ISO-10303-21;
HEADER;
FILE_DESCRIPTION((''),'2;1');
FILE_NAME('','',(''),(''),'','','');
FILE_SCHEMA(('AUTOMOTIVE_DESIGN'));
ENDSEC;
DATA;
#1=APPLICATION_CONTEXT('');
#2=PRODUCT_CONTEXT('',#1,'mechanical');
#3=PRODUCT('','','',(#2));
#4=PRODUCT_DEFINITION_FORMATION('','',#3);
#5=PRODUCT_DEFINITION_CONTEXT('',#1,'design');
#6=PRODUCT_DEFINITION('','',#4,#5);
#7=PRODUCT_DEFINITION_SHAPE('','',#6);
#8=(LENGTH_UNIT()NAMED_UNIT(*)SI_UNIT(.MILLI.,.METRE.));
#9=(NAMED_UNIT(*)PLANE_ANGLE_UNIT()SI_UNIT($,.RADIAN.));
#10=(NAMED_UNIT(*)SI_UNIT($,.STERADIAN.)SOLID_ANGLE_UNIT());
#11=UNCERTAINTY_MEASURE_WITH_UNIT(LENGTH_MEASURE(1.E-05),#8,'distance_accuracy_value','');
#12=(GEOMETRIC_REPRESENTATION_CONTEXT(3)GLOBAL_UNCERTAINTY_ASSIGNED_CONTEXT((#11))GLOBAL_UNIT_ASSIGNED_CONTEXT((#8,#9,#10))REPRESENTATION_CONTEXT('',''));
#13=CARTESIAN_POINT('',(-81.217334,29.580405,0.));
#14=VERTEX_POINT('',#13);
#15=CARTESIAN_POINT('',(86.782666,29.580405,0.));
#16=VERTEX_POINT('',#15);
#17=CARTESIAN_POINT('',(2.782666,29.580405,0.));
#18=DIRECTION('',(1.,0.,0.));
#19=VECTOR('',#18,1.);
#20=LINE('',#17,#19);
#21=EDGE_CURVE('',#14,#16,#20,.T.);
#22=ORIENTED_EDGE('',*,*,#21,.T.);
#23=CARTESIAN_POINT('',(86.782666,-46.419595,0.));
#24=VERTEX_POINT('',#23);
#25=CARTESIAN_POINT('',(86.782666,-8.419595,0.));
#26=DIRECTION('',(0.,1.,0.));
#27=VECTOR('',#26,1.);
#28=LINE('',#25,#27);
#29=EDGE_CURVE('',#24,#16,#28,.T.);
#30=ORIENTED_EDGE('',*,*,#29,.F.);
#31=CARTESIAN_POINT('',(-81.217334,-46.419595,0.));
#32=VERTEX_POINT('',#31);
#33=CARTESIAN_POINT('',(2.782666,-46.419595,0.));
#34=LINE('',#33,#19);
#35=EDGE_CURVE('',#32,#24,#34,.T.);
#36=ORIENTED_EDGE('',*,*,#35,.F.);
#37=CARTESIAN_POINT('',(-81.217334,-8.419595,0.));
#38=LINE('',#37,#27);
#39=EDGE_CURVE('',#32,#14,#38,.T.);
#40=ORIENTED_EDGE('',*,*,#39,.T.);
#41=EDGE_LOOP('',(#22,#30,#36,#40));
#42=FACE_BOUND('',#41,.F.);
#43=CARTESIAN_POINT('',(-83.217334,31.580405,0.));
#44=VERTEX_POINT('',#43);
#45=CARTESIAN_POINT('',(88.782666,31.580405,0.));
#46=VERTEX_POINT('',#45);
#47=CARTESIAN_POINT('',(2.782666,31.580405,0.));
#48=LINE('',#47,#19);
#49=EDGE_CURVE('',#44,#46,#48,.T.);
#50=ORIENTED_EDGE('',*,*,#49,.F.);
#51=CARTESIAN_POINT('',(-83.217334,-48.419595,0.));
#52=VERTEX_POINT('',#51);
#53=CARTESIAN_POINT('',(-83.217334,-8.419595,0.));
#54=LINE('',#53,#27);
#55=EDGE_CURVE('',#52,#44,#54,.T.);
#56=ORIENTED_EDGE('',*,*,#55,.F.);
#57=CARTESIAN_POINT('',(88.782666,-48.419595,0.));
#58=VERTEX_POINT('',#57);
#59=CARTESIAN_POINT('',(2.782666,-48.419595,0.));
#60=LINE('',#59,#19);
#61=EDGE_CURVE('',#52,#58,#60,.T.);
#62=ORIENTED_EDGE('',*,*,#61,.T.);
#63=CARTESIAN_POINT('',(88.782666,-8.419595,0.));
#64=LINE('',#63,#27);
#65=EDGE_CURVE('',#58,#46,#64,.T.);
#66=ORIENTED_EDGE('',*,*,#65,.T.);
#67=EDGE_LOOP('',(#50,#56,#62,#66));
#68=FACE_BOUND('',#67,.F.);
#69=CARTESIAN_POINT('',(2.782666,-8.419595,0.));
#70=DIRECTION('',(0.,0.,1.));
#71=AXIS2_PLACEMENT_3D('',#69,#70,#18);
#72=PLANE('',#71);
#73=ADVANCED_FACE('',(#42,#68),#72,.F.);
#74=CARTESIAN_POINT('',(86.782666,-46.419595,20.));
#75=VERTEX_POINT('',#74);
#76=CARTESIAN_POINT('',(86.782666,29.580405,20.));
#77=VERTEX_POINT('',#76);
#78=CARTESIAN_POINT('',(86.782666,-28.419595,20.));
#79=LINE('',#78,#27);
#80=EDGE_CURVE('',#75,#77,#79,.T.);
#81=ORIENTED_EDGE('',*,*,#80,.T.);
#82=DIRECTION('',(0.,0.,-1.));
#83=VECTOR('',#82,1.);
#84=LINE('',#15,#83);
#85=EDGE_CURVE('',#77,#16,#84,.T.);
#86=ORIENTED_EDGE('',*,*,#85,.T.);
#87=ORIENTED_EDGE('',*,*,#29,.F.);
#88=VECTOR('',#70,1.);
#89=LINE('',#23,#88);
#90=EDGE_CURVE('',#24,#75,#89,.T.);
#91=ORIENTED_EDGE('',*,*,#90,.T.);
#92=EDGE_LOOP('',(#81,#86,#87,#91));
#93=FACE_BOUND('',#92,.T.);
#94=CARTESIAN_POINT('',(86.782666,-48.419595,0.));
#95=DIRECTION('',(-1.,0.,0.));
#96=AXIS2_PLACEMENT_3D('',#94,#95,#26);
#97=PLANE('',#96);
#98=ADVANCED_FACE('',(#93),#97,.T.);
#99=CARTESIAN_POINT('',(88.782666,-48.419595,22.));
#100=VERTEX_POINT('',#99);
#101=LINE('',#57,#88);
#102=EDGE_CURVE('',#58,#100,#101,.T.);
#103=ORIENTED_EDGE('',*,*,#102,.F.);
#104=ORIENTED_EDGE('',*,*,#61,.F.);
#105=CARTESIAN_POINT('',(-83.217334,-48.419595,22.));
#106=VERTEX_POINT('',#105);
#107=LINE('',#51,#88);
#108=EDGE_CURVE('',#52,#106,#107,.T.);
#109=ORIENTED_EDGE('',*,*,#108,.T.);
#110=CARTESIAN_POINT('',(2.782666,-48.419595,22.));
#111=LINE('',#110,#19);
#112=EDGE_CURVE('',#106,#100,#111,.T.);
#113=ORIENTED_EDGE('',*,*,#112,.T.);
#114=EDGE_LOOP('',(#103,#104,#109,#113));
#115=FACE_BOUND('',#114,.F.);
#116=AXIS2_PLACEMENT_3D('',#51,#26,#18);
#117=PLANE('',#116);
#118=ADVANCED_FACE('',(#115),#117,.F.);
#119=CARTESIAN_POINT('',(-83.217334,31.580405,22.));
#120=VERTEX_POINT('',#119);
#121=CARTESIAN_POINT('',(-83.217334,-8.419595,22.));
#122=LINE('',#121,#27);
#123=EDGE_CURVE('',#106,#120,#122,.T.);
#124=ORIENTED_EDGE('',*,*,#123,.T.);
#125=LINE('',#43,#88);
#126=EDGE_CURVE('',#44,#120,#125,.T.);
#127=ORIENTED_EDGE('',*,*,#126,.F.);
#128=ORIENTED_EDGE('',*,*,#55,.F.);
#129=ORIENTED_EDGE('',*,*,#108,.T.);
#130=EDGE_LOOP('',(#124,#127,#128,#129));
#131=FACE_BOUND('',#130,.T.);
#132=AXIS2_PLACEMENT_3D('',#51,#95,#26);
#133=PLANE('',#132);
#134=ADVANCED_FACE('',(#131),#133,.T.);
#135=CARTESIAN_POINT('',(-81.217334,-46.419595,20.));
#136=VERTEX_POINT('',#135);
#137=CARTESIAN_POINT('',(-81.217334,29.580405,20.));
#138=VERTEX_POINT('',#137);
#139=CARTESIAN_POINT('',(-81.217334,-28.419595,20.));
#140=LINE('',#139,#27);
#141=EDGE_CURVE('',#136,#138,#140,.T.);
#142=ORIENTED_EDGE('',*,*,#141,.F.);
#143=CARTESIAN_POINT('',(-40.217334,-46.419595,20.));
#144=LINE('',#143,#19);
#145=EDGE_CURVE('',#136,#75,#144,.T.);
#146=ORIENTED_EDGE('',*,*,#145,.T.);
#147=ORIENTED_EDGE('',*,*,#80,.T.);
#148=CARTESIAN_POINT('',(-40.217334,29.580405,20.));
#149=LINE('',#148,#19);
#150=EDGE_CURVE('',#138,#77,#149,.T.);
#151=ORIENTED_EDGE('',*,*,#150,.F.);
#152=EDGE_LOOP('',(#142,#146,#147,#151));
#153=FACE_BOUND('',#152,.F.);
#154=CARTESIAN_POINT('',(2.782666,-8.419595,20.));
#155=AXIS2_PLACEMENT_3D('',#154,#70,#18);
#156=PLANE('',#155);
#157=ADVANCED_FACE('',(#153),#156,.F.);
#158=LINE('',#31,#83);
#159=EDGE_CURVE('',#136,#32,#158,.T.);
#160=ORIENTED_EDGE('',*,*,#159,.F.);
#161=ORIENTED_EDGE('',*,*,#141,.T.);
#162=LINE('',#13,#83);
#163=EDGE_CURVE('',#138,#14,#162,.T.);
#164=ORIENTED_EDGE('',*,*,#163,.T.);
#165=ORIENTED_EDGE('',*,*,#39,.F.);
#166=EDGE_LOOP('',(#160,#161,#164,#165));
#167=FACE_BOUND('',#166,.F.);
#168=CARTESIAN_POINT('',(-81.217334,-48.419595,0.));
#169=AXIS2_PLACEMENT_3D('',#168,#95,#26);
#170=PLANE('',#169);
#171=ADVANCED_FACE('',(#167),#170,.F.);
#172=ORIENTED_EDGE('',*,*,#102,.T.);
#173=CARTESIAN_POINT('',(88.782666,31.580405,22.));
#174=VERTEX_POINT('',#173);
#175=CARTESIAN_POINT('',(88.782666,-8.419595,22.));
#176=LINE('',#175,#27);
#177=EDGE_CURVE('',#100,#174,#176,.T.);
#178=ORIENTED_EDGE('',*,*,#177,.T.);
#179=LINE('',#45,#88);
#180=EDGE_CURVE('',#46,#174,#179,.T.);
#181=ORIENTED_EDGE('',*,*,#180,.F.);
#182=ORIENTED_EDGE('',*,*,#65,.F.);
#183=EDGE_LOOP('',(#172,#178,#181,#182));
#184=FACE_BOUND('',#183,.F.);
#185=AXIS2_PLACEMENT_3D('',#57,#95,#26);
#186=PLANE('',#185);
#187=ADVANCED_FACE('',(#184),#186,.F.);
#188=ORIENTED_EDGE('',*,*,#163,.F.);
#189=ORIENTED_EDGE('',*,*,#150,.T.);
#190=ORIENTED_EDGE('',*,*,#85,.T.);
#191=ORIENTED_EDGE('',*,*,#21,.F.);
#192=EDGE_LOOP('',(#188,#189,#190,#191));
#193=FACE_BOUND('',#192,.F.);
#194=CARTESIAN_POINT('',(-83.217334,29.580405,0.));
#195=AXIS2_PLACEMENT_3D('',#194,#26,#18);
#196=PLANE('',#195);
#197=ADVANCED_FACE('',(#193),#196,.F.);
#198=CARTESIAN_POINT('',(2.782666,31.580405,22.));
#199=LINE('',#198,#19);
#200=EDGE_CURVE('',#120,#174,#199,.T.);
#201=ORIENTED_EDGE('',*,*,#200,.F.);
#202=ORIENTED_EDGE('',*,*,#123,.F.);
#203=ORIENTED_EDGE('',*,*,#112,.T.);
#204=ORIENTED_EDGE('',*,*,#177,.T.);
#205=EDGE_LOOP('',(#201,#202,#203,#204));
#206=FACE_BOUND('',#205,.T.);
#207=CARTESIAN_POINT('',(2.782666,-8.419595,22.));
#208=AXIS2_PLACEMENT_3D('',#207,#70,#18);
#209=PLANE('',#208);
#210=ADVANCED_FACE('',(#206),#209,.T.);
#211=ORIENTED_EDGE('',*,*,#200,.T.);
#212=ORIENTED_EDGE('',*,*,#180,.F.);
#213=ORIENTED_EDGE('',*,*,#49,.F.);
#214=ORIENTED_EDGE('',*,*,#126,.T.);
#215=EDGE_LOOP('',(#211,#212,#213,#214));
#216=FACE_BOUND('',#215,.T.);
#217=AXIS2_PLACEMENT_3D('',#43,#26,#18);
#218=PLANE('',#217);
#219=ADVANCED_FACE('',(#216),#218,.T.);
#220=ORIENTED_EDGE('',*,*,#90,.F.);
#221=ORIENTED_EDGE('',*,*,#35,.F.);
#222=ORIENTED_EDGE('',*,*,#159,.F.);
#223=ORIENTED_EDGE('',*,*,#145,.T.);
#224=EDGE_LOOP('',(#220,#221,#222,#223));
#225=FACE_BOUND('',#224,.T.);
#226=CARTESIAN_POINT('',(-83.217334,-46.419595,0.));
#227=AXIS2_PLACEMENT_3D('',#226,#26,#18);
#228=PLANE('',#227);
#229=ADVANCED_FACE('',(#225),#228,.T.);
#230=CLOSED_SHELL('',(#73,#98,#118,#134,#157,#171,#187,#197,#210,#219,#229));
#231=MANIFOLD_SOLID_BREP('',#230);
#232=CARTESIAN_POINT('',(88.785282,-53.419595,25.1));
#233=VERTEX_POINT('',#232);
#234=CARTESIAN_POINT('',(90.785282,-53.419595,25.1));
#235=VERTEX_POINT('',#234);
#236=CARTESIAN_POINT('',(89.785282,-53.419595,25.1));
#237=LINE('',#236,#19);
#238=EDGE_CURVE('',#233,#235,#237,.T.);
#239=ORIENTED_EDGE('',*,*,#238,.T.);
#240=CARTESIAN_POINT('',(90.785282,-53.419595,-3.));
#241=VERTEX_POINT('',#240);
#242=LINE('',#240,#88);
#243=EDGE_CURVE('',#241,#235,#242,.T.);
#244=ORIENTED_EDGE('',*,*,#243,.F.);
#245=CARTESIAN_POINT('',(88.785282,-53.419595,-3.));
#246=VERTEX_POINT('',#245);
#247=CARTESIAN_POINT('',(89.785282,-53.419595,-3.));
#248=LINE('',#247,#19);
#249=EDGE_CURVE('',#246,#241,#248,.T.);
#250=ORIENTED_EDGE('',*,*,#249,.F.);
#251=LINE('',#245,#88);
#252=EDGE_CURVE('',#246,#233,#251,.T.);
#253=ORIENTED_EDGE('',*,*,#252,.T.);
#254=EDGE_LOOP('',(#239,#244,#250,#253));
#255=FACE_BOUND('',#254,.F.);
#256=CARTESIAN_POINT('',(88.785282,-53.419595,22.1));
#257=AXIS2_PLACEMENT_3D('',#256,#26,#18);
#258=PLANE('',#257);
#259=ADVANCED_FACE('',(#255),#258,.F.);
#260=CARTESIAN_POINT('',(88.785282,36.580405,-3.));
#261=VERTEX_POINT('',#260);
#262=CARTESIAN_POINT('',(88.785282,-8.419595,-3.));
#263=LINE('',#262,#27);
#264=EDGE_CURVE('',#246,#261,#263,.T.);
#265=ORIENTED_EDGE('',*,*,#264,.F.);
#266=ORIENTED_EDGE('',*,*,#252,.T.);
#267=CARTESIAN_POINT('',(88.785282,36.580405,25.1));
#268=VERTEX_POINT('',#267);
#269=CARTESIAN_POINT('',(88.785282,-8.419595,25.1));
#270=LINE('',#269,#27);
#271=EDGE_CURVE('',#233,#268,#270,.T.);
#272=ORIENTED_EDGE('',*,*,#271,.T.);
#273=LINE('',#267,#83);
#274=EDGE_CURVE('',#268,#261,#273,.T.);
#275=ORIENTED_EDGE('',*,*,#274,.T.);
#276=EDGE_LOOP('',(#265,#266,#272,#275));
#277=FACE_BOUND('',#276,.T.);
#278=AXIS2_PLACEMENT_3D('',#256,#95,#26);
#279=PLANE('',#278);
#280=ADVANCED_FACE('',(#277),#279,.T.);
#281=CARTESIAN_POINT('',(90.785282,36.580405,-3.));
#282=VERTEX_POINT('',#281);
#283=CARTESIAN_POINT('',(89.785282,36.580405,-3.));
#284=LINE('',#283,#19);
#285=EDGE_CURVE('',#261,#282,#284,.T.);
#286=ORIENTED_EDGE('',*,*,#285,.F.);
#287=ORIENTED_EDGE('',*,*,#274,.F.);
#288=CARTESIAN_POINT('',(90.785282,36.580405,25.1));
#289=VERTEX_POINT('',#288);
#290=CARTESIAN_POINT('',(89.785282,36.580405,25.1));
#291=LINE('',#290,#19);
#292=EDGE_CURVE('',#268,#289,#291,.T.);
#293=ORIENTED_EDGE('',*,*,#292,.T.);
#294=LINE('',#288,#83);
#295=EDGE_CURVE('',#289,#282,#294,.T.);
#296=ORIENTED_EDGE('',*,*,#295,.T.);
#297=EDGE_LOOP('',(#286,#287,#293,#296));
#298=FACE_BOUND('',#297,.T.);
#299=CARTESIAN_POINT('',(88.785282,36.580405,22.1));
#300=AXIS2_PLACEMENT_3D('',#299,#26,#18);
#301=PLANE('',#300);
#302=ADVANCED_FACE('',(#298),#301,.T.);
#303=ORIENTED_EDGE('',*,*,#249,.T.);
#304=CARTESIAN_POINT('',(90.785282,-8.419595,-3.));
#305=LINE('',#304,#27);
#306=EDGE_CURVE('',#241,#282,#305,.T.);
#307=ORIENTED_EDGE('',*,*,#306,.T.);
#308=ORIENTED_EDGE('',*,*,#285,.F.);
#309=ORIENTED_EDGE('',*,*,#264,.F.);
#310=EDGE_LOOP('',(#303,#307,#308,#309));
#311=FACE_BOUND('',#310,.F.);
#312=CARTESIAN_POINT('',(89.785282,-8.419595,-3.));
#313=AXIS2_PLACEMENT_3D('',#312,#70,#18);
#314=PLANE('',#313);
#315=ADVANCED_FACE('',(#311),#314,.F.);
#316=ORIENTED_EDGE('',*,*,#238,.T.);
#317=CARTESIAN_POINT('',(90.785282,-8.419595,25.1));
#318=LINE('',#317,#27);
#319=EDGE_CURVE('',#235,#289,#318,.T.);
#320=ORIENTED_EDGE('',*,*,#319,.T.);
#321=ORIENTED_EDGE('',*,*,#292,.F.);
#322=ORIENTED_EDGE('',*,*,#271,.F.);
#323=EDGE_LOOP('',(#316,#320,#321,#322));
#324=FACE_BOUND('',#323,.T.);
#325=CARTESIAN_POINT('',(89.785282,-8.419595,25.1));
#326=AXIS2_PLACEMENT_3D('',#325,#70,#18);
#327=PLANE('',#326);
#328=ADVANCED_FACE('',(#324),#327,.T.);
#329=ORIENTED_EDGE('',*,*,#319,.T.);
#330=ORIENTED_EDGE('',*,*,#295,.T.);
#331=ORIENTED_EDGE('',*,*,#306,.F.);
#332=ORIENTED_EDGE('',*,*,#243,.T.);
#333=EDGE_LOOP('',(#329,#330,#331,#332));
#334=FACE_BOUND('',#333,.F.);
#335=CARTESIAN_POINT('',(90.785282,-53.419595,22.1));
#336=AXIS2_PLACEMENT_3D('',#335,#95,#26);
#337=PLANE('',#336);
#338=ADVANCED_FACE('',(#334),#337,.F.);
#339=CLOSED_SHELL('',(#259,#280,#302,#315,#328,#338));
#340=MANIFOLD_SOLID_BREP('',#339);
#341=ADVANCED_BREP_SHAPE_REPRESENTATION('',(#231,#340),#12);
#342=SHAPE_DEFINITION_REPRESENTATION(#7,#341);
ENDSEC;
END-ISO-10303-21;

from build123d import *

# Parameters (mm, degrees)
F0_W     = 172
F0_H     = 80
F1_DEPTH = 22
F2_T     = -2
F3_W     = 2
F3_H     = 90
F4_DEPTH = 22.1
F5_DEPTH = 3
F6_DEPTH = 3


with BuildPart() as f1:
    # F0 (on Top) → F1 (new body)
    with BuildSketch(Plane.XY):
        with Locations((2.7826657335, -8.4195947275)):
            Rectangle(F0_W, F0_H)
    extrude(amount=F1_DEPTH)

    # F2
    f2_openings = [f1.faces().sort_by_distance(p)[0] for p in [
        (2.782666, -8.419595, 0),
    ]]
    offset(amount=F2_T, openings=f2_openings)


with BuildPart() as f4:
    # F3 (on Top) → F4 (new body)
    with BuildSketch(Plane.XY):
        with Locations((89.7852818131, -8.4195947275)):
            Rectangle(F3_W, F3_H)
    extrude(amount=F4_DEPTH)

    # F5 (add): a face of the model
    f5_faces = [f4.faces().sort_by_distance(p)[0] for p in [
        (89.7852818131, -8.4195947275, 0),
    ]]
    extrude(f5_faces, amount=F5_DEPTH)

    # F6 (add): a face of the model
    f6_faces = [f4.faces().sort_by_distance(p)[0] for p in [
        (89.7852818131, -8.4195947275, 22.1),
    ]]
    extrude(f6_faces, amount=F6_DEPTH)


solid = Compound([f1.part, f4.part])
